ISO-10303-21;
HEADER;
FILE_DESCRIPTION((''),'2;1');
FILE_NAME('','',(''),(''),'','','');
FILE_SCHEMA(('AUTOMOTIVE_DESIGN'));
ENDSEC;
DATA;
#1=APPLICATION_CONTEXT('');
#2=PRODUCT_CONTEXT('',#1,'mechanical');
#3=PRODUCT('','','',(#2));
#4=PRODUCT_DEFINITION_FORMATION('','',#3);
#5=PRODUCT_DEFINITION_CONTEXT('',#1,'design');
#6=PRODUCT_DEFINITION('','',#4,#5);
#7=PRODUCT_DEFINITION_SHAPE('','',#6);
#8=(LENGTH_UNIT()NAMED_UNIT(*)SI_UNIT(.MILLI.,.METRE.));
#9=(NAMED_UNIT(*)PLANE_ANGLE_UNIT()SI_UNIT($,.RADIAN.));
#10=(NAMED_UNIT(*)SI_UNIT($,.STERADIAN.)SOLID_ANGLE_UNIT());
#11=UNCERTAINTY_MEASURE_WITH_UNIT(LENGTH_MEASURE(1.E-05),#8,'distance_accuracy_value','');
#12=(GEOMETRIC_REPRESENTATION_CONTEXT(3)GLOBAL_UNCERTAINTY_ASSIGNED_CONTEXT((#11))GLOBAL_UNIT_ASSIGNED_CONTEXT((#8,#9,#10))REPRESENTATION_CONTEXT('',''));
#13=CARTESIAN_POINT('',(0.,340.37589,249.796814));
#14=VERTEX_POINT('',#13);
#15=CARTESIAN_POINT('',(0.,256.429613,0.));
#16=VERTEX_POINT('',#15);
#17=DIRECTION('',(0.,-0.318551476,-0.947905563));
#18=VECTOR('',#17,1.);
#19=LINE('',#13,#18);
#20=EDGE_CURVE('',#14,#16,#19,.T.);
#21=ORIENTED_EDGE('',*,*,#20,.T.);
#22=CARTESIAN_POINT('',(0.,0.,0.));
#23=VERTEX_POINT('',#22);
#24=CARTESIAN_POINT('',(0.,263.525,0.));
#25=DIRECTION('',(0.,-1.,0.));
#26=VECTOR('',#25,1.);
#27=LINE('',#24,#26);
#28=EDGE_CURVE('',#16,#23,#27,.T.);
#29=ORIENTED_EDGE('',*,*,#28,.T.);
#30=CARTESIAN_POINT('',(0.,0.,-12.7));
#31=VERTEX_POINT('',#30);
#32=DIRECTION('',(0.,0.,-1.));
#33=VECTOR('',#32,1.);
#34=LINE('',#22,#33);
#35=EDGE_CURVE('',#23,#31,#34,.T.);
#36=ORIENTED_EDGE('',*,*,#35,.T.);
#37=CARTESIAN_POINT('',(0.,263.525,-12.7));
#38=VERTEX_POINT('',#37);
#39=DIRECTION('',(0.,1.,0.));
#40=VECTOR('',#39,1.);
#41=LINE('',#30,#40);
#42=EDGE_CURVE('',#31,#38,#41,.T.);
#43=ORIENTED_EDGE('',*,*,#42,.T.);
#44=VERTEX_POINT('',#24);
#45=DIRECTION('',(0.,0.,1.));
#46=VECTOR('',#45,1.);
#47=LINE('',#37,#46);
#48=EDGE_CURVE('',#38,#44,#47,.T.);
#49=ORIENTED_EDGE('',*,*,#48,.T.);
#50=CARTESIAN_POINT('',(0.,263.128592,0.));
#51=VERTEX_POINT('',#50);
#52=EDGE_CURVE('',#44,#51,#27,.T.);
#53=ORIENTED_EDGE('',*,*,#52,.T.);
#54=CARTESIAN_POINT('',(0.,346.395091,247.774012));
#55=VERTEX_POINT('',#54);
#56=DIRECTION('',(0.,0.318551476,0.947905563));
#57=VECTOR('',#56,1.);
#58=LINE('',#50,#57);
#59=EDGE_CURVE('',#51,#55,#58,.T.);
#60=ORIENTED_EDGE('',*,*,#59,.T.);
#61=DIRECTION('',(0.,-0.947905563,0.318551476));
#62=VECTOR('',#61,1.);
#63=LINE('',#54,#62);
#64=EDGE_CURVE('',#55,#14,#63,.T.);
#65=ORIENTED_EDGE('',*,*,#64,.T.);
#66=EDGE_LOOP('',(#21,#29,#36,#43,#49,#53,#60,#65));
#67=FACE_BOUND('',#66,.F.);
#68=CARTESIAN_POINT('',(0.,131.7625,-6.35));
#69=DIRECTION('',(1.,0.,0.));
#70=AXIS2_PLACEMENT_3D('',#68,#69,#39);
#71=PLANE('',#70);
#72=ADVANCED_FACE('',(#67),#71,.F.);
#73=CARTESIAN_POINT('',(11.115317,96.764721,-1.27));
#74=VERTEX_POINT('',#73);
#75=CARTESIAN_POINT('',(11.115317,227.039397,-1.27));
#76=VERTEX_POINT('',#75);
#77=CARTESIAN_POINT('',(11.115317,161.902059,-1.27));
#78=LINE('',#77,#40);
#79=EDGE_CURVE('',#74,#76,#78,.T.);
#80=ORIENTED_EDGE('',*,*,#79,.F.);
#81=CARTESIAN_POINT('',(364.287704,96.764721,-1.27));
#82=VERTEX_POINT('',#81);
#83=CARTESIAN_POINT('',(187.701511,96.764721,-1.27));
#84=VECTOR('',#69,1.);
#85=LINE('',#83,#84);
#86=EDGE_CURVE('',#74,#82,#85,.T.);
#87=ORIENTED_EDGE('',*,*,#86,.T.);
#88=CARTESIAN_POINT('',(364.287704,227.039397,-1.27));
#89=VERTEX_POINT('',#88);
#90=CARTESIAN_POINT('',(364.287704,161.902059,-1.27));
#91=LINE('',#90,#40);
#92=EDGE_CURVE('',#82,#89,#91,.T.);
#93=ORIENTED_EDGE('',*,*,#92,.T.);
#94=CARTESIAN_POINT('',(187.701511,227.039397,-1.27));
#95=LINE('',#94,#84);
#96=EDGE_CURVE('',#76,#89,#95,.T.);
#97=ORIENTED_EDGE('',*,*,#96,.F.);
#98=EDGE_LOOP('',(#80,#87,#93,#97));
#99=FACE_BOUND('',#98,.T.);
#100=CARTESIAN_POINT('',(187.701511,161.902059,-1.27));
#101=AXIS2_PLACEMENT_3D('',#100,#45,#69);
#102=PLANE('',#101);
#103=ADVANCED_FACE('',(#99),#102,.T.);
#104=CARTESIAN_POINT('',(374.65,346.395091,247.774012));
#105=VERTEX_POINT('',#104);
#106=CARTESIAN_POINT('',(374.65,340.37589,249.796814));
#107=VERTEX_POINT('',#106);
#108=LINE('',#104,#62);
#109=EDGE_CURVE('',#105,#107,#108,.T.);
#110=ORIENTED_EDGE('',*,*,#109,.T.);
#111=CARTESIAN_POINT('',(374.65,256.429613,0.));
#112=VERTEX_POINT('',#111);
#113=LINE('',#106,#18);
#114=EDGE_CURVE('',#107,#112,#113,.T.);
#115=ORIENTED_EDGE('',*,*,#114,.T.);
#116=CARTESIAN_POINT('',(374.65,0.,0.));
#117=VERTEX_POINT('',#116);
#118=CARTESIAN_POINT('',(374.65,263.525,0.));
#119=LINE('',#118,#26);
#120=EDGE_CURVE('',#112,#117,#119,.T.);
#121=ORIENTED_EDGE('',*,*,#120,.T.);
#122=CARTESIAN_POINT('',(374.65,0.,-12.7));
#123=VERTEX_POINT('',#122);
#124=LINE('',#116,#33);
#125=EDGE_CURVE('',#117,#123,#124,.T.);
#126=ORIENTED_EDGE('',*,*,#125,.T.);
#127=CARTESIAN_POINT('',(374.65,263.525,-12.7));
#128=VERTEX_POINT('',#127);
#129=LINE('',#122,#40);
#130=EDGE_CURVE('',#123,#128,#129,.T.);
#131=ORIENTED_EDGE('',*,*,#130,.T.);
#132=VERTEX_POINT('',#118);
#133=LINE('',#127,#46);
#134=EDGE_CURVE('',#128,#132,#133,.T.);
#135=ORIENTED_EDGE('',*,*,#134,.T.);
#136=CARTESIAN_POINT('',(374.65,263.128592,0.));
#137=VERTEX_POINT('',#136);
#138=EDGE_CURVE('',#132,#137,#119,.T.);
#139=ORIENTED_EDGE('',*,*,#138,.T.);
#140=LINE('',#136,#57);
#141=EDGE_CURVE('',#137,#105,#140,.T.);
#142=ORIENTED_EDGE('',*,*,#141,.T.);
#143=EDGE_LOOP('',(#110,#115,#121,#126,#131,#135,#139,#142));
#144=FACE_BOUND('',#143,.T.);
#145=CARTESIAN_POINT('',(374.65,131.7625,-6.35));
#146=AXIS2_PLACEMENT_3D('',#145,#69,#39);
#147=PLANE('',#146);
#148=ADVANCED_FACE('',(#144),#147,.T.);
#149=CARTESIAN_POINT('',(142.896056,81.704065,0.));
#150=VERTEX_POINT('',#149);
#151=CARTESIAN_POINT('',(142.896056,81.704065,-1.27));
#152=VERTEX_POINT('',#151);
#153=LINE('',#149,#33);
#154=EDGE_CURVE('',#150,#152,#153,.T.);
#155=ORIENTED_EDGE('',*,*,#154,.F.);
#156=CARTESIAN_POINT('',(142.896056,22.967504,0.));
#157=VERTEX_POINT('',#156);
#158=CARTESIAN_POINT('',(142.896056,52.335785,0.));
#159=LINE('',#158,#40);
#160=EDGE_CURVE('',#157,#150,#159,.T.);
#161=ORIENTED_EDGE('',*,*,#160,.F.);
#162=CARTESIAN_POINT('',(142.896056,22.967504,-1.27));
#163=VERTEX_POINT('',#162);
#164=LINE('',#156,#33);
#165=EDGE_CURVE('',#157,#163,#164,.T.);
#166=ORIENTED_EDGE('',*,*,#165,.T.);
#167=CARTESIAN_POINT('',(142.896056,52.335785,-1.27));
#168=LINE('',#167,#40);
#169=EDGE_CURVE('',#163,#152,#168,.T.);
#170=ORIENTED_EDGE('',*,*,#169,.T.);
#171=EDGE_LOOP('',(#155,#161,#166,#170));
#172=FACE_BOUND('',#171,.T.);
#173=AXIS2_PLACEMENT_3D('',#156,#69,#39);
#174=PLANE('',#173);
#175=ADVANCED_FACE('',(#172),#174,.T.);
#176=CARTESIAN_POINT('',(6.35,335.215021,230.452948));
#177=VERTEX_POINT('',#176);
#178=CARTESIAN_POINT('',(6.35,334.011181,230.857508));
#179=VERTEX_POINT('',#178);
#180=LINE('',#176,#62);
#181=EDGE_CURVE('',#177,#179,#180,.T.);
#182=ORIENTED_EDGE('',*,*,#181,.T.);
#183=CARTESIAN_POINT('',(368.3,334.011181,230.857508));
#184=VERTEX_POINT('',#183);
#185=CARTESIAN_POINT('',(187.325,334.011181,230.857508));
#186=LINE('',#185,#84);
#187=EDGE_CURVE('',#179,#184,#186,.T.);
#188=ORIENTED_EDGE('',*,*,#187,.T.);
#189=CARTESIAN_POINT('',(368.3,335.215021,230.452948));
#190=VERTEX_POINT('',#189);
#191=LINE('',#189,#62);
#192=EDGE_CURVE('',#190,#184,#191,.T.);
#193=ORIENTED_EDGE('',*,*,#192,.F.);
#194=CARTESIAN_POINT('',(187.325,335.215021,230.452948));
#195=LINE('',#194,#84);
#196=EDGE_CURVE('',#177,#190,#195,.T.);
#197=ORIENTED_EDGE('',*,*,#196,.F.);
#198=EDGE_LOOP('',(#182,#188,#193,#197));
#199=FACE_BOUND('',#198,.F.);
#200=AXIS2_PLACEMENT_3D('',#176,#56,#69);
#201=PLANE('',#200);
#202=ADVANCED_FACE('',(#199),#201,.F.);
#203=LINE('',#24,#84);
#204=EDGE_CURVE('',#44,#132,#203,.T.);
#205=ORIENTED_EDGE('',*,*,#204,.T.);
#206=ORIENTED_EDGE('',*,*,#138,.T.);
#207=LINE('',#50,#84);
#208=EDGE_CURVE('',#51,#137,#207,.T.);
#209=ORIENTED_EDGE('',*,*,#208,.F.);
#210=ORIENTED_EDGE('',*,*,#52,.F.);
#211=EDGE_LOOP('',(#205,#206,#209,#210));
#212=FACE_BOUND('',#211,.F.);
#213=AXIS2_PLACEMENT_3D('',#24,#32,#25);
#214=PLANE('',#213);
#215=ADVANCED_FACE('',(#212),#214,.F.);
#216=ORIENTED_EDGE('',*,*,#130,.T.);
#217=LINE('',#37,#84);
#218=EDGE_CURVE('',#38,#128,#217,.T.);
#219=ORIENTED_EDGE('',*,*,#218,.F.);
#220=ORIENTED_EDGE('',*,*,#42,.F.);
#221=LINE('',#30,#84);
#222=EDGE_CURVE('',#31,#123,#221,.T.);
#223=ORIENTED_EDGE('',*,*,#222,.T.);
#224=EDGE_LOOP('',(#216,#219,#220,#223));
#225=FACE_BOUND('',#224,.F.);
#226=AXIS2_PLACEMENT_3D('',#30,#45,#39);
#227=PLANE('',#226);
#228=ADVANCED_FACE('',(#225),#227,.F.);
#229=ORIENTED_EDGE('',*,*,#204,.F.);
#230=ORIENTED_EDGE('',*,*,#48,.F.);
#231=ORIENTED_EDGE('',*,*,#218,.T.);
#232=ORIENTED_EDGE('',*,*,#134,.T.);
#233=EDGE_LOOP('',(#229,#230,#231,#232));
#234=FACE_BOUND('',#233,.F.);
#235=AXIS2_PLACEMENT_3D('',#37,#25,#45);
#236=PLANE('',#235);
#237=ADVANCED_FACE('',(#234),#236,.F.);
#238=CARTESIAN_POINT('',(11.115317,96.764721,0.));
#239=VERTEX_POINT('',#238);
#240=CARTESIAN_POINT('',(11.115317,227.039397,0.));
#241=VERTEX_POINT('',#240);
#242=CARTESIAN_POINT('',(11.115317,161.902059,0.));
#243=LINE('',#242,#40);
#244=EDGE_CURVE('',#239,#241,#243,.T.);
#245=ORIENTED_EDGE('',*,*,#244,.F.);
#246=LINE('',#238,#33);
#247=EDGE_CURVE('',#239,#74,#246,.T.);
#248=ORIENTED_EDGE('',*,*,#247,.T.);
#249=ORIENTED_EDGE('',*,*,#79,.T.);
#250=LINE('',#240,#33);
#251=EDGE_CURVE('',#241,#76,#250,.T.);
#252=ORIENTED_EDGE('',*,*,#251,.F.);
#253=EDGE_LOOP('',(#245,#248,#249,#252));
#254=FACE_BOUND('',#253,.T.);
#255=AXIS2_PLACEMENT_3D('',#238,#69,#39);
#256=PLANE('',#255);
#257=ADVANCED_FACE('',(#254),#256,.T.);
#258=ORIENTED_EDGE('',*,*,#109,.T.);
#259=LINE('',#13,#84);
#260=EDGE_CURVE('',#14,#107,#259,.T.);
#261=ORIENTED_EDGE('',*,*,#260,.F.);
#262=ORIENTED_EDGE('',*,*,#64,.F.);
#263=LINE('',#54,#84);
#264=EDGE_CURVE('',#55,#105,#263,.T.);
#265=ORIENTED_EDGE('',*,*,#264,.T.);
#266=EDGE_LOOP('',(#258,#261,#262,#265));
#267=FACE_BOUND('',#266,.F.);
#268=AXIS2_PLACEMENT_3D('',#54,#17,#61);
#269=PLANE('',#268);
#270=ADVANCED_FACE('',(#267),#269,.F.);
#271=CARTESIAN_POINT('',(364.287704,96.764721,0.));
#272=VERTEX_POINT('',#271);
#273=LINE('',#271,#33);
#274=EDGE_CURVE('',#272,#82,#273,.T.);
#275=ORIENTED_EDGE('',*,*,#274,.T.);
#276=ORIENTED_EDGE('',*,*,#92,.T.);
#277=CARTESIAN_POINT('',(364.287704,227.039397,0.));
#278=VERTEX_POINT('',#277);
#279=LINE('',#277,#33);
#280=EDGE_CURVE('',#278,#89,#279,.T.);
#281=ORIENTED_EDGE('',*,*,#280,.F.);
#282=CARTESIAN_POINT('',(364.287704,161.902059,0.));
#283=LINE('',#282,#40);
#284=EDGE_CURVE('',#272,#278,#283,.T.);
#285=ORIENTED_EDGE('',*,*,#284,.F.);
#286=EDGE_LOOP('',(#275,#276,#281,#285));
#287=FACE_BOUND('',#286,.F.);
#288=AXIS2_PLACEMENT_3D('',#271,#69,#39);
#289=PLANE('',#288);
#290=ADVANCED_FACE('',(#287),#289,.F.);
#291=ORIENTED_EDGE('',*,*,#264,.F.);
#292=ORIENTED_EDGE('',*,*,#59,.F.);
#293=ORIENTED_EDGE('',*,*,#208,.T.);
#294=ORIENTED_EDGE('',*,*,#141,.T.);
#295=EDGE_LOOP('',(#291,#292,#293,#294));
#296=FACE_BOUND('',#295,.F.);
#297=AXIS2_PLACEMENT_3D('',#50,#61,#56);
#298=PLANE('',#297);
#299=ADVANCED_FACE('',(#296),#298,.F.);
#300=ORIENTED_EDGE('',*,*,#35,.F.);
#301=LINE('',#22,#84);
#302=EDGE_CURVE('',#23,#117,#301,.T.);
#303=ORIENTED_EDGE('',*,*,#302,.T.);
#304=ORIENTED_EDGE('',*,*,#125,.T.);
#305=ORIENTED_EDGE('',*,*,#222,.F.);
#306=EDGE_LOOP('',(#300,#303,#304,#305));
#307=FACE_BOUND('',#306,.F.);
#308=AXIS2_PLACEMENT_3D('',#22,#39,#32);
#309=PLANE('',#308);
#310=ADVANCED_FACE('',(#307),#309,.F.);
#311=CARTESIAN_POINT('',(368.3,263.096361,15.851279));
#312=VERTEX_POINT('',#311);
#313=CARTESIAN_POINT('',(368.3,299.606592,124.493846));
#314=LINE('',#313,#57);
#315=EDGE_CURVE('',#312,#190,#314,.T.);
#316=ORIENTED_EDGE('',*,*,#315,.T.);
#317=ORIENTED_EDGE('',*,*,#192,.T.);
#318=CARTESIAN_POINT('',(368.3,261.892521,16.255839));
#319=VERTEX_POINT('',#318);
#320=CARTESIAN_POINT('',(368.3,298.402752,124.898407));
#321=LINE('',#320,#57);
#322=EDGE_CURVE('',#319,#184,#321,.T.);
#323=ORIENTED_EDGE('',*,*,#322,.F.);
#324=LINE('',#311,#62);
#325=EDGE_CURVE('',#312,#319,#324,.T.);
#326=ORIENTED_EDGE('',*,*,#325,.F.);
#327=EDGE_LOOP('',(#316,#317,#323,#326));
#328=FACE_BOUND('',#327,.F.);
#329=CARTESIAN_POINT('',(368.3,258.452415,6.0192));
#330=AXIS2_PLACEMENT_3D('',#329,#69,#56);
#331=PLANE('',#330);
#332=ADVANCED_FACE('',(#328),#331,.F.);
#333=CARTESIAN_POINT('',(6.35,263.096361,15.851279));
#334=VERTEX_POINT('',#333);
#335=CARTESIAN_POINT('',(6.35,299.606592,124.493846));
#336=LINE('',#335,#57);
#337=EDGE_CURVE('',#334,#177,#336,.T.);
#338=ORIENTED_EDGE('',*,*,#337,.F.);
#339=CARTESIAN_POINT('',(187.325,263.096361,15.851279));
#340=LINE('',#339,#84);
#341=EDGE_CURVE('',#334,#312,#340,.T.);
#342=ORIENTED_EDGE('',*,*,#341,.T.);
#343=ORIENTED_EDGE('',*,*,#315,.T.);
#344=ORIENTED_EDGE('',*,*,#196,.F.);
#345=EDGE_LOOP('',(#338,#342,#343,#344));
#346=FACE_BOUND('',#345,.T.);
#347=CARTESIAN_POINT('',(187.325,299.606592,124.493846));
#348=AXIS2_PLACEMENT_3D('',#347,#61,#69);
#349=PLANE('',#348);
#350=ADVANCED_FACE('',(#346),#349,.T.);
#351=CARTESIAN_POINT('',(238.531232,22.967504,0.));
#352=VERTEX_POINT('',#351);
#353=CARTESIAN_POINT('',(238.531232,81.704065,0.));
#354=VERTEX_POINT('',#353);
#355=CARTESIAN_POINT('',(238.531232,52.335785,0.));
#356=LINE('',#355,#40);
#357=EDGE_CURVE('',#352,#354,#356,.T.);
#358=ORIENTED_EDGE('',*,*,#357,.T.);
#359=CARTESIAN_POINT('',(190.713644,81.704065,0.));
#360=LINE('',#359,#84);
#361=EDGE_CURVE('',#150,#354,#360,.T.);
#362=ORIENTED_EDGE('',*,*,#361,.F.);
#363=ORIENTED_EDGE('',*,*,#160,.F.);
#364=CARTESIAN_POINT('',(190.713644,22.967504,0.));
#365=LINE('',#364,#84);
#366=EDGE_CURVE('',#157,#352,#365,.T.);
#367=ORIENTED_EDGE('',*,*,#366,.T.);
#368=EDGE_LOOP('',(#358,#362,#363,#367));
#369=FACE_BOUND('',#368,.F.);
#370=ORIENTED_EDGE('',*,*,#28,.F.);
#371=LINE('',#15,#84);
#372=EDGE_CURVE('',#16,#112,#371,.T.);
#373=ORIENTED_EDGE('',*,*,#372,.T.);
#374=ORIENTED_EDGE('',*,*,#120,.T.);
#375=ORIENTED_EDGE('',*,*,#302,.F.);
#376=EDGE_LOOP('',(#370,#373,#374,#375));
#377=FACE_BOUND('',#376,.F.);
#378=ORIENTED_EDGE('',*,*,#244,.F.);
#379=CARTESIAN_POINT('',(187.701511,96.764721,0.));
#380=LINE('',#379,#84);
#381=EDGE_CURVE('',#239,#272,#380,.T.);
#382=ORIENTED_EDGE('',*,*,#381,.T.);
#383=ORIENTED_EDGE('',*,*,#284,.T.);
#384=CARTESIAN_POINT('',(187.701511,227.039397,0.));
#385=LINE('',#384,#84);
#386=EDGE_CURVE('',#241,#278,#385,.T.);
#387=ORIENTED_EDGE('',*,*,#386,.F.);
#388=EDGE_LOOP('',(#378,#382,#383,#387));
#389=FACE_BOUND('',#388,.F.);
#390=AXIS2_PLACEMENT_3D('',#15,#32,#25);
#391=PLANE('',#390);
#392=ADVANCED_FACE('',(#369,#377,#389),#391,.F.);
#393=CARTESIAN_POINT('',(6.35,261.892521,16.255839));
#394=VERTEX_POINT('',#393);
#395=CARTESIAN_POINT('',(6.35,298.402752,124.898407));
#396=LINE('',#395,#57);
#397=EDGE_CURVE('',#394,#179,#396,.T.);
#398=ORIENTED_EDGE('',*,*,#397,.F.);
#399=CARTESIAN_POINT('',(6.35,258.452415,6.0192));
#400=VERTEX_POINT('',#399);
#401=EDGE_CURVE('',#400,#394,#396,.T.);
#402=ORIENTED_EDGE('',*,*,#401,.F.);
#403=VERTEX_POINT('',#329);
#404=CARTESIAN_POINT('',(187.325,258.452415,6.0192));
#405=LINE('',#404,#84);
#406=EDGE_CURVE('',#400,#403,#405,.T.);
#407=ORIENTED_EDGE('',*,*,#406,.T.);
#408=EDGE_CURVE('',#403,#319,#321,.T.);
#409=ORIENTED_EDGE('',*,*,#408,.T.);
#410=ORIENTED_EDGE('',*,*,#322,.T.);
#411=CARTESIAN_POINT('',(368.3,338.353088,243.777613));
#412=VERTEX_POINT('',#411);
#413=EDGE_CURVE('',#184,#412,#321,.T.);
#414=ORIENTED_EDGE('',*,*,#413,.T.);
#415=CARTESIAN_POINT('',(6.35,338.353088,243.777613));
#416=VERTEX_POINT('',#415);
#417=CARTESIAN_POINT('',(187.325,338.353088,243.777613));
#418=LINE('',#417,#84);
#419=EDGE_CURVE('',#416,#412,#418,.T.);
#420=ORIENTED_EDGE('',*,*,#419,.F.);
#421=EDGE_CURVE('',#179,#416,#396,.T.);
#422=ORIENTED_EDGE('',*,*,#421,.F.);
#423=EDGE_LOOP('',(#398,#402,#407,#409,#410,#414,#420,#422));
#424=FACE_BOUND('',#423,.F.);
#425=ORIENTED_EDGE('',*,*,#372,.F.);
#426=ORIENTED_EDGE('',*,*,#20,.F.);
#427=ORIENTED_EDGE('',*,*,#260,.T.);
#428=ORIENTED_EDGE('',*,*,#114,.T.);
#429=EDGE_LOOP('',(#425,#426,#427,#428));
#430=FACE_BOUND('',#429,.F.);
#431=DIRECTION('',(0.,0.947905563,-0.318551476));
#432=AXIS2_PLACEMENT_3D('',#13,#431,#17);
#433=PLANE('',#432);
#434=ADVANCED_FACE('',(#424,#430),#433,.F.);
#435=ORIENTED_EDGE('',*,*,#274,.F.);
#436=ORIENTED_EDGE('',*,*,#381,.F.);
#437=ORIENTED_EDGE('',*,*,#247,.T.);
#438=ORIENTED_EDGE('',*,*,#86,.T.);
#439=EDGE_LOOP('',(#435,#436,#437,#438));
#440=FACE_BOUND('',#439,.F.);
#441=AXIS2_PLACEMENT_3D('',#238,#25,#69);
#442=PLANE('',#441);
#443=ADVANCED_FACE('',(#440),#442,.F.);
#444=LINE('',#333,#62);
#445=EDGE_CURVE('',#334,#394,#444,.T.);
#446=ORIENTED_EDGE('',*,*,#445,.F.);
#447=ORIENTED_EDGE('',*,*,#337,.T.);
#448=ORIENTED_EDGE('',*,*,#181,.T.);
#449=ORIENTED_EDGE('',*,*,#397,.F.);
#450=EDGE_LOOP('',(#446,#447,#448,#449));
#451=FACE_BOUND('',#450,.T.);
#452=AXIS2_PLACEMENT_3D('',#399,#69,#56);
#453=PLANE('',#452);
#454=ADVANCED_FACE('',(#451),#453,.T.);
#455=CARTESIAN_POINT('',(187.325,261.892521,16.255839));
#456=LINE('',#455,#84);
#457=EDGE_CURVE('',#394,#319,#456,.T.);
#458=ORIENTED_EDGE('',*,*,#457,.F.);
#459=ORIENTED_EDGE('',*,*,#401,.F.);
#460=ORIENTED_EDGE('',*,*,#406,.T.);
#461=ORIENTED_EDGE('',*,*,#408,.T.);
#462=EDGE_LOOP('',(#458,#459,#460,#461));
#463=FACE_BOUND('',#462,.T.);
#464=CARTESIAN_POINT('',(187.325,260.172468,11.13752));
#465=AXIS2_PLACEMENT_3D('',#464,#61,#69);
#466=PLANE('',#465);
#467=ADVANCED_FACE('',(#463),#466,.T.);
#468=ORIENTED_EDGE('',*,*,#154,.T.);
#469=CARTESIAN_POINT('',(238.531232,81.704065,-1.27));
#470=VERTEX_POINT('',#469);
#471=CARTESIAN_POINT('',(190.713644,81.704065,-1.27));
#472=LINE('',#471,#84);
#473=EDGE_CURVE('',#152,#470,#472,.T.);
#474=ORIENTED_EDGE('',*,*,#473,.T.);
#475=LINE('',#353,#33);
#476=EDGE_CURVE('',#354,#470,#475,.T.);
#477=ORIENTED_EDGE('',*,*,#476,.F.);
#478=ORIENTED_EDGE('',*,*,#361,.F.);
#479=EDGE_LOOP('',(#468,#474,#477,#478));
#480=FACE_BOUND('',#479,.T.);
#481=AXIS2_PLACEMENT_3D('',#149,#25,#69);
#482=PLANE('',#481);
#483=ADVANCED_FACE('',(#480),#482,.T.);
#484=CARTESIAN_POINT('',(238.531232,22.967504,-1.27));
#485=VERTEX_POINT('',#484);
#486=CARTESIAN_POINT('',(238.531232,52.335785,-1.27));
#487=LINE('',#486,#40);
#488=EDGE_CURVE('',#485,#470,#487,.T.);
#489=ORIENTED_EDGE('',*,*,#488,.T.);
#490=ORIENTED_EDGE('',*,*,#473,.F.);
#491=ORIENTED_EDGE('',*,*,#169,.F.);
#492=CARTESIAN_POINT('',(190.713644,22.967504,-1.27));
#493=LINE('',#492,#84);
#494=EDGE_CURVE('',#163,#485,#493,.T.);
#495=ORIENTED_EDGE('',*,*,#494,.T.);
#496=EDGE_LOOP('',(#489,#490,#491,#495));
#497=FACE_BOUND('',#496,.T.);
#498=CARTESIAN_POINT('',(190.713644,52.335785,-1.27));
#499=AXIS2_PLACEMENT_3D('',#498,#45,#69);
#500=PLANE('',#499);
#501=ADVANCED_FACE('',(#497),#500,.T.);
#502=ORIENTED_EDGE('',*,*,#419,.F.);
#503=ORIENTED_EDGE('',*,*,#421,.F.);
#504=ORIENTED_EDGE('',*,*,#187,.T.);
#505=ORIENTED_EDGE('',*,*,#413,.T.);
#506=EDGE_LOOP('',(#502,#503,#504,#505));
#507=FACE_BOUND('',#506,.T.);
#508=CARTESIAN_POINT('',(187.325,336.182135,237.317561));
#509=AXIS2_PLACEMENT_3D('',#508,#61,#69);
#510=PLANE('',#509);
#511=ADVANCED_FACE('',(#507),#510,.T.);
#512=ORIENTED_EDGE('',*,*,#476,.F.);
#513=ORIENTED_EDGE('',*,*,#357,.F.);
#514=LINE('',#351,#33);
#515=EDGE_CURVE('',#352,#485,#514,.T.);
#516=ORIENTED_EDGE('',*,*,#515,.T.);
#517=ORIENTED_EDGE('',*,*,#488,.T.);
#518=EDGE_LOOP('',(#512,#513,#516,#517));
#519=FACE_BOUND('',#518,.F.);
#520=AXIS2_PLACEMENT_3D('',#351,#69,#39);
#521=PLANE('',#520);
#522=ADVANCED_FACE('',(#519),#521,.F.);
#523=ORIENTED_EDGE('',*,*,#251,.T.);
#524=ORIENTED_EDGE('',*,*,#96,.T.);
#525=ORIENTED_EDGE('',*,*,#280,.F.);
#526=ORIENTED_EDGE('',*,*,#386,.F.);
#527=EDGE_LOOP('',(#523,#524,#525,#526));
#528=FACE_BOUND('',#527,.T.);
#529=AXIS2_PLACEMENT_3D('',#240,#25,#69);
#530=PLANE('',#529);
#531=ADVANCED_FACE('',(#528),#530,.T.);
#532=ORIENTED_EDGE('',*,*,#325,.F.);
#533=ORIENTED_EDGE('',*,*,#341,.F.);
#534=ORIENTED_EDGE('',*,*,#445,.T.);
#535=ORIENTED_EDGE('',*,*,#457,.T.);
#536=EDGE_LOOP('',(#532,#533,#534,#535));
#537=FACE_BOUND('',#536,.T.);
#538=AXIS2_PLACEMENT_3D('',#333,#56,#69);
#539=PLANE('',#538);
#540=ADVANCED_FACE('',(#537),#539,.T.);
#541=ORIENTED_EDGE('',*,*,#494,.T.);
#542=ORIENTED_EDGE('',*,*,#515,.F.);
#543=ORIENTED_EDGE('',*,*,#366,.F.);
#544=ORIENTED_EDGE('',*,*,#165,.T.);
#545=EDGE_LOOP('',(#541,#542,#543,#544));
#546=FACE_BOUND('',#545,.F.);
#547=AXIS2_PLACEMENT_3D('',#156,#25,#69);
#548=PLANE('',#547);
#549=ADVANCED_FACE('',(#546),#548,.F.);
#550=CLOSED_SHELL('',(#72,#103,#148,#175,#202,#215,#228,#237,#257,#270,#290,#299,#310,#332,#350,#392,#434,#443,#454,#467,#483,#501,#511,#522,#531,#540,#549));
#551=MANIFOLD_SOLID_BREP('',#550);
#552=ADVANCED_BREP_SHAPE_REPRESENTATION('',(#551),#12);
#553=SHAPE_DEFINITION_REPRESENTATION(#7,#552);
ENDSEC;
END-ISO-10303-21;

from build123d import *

# Parameters (mm, degrees)
F1_DEPTH = 374.65
F2_W     = 361.95
F2_H     = 250.825
F3_DEPTH = 1.27
F4_W     = 353.1723869964
F4_H     = 130.2746757865
F4_W_2   = 95.635175705
F4_H_2   = 58.7365608662
F5_DEPTH = 1.27
F6_W     = 361.95
F6_H     = 13.6301602835
F6_H_2   = 10.7992181372
F7_DEPTH = 1.27


with BuildPart() as f1:
    # F0 (on Right) → F1 (new body)
    with BuildSketch(Plane.YZ):
        Polygon((256.4296126366, 0), (0, 0), (0, -12.7), (263.525, -12.7), (263.525, 0), (263.1285922031, 0), align=None)
        Polygon((340.3758903778, 249.7968135873), (256.4296126366, 0), (263.1285922031, 0), (346.3950907053, 247.774011714), align=None)
    extrude(amount=F1_DEPTH)

    # F2 (on face) → F3 (cut)
    with BuildSketch(Plane(origin=(0, 230.4084066856, -77.4306438252), x_dir=(1, 0, 0), z_dir=(0, -0.9479055634, 0.3185514761))):
        with Locations((187.325, 213.4485316231)):
            Rectangle(F2_W, F2_H)
    extrude(amount=-F3_DEPTH, mode=Mode.SUBTRACT)

    # F4 (on face) → F5 (cut)
    with BuildSketch(Plane.XY):
        with Locations((187.7015107311, 161.9020588696)):
            Rectangle(F4_W, F4_H)
        with Locations((190.7136440277, 52.3357847705)):
            Rectangle(F4_W_2, F4_H_2)
    extrude(amount=-F5_DEPTH, mode=Mode.SUBTRACT)

    # F6 (on face) → F7 (join, through all)
    with BuildSketch(Plane(origin=(0, 231.6122467511, -77.8352041999), x_dir=(1, 0, 0), z_dir=(0, -0.9479055634, 0.3185514761))):
        with Locations((187.325, 332.0459514814)):
            Rectangle(F6_W, F6_H)
        with Locations((187.325, 93.4356406917)):
            Rectangle(F6_W, F6_H_2)
    extrude(amount=F7_DEPTH)


solid = f1.part
